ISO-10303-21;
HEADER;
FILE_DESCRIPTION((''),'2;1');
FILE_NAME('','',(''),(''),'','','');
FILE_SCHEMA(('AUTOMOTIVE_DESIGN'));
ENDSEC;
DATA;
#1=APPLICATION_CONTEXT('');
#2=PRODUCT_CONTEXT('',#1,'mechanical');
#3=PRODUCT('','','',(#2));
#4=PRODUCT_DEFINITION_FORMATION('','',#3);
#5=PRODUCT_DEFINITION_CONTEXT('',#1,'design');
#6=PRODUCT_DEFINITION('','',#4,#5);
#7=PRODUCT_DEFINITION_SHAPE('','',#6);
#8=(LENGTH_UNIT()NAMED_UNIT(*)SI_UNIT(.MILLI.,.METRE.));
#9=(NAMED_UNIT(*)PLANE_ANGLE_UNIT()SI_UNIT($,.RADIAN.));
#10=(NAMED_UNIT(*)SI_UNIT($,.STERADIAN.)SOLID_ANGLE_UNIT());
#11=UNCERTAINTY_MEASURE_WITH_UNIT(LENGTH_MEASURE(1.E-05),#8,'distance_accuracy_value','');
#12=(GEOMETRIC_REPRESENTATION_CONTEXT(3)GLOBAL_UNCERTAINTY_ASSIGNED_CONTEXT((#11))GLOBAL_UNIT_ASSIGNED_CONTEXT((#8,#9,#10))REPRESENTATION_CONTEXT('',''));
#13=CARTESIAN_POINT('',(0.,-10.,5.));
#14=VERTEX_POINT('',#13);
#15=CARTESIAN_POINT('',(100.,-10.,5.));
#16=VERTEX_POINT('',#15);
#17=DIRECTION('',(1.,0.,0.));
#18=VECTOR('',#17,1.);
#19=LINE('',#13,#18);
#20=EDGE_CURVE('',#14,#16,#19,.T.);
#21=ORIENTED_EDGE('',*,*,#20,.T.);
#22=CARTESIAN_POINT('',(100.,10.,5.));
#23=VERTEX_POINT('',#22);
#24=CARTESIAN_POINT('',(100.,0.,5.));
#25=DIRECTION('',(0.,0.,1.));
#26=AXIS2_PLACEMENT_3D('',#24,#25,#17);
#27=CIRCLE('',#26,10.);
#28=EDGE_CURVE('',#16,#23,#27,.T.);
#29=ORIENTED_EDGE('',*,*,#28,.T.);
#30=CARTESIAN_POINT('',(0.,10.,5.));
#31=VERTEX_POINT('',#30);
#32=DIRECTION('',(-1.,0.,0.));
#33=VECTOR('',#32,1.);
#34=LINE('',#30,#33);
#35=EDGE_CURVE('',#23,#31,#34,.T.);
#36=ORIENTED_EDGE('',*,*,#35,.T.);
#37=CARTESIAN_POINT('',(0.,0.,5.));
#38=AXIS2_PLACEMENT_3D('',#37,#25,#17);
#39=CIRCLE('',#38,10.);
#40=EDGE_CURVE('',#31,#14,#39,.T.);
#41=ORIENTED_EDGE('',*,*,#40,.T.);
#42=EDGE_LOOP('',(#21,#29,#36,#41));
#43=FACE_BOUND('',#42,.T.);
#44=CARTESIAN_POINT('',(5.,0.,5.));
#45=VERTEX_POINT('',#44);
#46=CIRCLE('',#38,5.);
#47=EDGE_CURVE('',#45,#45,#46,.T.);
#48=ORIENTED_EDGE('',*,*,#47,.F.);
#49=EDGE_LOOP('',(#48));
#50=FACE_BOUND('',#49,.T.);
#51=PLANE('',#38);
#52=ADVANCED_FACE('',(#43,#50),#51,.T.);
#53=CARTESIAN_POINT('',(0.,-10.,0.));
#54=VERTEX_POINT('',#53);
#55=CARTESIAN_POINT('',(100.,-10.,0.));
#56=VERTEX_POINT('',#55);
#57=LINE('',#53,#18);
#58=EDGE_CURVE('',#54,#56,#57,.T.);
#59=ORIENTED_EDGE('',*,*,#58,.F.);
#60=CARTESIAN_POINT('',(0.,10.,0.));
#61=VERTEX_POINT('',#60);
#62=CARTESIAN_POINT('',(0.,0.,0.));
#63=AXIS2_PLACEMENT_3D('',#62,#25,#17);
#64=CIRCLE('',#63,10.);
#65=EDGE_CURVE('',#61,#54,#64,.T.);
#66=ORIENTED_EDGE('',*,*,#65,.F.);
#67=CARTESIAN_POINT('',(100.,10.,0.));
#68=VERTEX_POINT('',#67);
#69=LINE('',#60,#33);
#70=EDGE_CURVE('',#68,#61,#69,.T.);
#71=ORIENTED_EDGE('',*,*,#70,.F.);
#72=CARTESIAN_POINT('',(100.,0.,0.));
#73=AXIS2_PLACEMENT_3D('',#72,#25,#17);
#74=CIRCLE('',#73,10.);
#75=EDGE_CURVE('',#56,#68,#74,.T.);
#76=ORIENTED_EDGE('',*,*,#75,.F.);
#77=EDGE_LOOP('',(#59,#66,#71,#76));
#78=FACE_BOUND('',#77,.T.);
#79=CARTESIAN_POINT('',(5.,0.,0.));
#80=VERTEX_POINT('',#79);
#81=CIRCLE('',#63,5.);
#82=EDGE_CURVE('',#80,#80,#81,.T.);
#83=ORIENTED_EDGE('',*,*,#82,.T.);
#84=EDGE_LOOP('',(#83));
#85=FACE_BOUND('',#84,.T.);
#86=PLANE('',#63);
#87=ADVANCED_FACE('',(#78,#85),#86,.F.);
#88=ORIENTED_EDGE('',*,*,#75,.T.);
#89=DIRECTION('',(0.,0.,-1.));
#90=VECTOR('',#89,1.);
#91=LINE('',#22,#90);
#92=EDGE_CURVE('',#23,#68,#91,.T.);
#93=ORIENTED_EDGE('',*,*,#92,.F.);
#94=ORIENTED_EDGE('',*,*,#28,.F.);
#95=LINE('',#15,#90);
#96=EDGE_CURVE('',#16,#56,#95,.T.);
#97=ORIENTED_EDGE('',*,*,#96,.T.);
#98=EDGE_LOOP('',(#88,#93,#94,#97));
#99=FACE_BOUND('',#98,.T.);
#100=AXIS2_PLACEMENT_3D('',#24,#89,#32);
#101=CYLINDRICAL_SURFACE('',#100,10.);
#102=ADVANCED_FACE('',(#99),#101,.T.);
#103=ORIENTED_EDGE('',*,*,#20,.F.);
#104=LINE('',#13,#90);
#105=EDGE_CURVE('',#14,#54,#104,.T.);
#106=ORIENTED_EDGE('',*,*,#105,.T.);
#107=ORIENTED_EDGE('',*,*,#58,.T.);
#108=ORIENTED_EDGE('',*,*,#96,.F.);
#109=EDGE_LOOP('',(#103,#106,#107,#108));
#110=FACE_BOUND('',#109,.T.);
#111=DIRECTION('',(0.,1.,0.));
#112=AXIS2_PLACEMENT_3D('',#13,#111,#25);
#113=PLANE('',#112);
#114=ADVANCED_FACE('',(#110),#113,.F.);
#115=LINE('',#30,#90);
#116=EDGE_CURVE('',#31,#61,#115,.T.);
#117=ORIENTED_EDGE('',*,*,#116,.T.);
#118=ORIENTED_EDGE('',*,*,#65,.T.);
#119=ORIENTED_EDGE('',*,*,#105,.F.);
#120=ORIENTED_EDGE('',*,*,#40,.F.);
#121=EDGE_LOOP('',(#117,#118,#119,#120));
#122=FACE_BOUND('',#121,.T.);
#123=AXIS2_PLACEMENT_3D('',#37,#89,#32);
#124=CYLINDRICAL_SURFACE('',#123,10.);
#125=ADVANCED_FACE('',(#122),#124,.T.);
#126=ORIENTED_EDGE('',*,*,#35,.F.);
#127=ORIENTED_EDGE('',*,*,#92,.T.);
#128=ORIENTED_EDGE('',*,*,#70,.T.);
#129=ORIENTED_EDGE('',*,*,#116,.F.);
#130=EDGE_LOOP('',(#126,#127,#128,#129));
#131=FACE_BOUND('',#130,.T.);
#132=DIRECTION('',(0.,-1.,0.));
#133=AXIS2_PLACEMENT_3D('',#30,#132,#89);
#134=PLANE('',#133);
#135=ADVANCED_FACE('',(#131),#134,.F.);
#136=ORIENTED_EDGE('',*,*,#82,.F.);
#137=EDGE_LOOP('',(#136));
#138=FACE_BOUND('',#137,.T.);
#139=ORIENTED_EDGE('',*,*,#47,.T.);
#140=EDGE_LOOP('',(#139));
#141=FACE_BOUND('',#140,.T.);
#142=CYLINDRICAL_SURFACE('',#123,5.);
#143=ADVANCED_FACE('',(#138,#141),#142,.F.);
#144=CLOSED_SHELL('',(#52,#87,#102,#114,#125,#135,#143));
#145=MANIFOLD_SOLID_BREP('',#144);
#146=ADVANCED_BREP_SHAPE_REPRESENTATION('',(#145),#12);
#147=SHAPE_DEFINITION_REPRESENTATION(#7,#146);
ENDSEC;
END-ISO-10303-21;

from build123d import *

# Parameters (mm, degrees)
CROQUIS1_R              = 5
SALIENTE_EXTRUIR1_DEPTH = 5


with BuildPart() as part:
    # Croquis1 → Saliente-Extruir1 (new body)
    with BuildSketch(Plane.XY):
        with BuildLine():
            Line((0, 10), (100, 10))
            ThreePointArc((100, 10), (110, 0), (100, -10))
            Line((100, -10), (0, -10))
            ThreePointArc((0, -10), (-10, 0), (0, 10))
        make_face()
        Circle(CROQUIS1_R, mode=Mode.SUBTRACT)
    extrude(amount=SALIENTE_EXTRUIR1_DEPTH)


solid = part.part
